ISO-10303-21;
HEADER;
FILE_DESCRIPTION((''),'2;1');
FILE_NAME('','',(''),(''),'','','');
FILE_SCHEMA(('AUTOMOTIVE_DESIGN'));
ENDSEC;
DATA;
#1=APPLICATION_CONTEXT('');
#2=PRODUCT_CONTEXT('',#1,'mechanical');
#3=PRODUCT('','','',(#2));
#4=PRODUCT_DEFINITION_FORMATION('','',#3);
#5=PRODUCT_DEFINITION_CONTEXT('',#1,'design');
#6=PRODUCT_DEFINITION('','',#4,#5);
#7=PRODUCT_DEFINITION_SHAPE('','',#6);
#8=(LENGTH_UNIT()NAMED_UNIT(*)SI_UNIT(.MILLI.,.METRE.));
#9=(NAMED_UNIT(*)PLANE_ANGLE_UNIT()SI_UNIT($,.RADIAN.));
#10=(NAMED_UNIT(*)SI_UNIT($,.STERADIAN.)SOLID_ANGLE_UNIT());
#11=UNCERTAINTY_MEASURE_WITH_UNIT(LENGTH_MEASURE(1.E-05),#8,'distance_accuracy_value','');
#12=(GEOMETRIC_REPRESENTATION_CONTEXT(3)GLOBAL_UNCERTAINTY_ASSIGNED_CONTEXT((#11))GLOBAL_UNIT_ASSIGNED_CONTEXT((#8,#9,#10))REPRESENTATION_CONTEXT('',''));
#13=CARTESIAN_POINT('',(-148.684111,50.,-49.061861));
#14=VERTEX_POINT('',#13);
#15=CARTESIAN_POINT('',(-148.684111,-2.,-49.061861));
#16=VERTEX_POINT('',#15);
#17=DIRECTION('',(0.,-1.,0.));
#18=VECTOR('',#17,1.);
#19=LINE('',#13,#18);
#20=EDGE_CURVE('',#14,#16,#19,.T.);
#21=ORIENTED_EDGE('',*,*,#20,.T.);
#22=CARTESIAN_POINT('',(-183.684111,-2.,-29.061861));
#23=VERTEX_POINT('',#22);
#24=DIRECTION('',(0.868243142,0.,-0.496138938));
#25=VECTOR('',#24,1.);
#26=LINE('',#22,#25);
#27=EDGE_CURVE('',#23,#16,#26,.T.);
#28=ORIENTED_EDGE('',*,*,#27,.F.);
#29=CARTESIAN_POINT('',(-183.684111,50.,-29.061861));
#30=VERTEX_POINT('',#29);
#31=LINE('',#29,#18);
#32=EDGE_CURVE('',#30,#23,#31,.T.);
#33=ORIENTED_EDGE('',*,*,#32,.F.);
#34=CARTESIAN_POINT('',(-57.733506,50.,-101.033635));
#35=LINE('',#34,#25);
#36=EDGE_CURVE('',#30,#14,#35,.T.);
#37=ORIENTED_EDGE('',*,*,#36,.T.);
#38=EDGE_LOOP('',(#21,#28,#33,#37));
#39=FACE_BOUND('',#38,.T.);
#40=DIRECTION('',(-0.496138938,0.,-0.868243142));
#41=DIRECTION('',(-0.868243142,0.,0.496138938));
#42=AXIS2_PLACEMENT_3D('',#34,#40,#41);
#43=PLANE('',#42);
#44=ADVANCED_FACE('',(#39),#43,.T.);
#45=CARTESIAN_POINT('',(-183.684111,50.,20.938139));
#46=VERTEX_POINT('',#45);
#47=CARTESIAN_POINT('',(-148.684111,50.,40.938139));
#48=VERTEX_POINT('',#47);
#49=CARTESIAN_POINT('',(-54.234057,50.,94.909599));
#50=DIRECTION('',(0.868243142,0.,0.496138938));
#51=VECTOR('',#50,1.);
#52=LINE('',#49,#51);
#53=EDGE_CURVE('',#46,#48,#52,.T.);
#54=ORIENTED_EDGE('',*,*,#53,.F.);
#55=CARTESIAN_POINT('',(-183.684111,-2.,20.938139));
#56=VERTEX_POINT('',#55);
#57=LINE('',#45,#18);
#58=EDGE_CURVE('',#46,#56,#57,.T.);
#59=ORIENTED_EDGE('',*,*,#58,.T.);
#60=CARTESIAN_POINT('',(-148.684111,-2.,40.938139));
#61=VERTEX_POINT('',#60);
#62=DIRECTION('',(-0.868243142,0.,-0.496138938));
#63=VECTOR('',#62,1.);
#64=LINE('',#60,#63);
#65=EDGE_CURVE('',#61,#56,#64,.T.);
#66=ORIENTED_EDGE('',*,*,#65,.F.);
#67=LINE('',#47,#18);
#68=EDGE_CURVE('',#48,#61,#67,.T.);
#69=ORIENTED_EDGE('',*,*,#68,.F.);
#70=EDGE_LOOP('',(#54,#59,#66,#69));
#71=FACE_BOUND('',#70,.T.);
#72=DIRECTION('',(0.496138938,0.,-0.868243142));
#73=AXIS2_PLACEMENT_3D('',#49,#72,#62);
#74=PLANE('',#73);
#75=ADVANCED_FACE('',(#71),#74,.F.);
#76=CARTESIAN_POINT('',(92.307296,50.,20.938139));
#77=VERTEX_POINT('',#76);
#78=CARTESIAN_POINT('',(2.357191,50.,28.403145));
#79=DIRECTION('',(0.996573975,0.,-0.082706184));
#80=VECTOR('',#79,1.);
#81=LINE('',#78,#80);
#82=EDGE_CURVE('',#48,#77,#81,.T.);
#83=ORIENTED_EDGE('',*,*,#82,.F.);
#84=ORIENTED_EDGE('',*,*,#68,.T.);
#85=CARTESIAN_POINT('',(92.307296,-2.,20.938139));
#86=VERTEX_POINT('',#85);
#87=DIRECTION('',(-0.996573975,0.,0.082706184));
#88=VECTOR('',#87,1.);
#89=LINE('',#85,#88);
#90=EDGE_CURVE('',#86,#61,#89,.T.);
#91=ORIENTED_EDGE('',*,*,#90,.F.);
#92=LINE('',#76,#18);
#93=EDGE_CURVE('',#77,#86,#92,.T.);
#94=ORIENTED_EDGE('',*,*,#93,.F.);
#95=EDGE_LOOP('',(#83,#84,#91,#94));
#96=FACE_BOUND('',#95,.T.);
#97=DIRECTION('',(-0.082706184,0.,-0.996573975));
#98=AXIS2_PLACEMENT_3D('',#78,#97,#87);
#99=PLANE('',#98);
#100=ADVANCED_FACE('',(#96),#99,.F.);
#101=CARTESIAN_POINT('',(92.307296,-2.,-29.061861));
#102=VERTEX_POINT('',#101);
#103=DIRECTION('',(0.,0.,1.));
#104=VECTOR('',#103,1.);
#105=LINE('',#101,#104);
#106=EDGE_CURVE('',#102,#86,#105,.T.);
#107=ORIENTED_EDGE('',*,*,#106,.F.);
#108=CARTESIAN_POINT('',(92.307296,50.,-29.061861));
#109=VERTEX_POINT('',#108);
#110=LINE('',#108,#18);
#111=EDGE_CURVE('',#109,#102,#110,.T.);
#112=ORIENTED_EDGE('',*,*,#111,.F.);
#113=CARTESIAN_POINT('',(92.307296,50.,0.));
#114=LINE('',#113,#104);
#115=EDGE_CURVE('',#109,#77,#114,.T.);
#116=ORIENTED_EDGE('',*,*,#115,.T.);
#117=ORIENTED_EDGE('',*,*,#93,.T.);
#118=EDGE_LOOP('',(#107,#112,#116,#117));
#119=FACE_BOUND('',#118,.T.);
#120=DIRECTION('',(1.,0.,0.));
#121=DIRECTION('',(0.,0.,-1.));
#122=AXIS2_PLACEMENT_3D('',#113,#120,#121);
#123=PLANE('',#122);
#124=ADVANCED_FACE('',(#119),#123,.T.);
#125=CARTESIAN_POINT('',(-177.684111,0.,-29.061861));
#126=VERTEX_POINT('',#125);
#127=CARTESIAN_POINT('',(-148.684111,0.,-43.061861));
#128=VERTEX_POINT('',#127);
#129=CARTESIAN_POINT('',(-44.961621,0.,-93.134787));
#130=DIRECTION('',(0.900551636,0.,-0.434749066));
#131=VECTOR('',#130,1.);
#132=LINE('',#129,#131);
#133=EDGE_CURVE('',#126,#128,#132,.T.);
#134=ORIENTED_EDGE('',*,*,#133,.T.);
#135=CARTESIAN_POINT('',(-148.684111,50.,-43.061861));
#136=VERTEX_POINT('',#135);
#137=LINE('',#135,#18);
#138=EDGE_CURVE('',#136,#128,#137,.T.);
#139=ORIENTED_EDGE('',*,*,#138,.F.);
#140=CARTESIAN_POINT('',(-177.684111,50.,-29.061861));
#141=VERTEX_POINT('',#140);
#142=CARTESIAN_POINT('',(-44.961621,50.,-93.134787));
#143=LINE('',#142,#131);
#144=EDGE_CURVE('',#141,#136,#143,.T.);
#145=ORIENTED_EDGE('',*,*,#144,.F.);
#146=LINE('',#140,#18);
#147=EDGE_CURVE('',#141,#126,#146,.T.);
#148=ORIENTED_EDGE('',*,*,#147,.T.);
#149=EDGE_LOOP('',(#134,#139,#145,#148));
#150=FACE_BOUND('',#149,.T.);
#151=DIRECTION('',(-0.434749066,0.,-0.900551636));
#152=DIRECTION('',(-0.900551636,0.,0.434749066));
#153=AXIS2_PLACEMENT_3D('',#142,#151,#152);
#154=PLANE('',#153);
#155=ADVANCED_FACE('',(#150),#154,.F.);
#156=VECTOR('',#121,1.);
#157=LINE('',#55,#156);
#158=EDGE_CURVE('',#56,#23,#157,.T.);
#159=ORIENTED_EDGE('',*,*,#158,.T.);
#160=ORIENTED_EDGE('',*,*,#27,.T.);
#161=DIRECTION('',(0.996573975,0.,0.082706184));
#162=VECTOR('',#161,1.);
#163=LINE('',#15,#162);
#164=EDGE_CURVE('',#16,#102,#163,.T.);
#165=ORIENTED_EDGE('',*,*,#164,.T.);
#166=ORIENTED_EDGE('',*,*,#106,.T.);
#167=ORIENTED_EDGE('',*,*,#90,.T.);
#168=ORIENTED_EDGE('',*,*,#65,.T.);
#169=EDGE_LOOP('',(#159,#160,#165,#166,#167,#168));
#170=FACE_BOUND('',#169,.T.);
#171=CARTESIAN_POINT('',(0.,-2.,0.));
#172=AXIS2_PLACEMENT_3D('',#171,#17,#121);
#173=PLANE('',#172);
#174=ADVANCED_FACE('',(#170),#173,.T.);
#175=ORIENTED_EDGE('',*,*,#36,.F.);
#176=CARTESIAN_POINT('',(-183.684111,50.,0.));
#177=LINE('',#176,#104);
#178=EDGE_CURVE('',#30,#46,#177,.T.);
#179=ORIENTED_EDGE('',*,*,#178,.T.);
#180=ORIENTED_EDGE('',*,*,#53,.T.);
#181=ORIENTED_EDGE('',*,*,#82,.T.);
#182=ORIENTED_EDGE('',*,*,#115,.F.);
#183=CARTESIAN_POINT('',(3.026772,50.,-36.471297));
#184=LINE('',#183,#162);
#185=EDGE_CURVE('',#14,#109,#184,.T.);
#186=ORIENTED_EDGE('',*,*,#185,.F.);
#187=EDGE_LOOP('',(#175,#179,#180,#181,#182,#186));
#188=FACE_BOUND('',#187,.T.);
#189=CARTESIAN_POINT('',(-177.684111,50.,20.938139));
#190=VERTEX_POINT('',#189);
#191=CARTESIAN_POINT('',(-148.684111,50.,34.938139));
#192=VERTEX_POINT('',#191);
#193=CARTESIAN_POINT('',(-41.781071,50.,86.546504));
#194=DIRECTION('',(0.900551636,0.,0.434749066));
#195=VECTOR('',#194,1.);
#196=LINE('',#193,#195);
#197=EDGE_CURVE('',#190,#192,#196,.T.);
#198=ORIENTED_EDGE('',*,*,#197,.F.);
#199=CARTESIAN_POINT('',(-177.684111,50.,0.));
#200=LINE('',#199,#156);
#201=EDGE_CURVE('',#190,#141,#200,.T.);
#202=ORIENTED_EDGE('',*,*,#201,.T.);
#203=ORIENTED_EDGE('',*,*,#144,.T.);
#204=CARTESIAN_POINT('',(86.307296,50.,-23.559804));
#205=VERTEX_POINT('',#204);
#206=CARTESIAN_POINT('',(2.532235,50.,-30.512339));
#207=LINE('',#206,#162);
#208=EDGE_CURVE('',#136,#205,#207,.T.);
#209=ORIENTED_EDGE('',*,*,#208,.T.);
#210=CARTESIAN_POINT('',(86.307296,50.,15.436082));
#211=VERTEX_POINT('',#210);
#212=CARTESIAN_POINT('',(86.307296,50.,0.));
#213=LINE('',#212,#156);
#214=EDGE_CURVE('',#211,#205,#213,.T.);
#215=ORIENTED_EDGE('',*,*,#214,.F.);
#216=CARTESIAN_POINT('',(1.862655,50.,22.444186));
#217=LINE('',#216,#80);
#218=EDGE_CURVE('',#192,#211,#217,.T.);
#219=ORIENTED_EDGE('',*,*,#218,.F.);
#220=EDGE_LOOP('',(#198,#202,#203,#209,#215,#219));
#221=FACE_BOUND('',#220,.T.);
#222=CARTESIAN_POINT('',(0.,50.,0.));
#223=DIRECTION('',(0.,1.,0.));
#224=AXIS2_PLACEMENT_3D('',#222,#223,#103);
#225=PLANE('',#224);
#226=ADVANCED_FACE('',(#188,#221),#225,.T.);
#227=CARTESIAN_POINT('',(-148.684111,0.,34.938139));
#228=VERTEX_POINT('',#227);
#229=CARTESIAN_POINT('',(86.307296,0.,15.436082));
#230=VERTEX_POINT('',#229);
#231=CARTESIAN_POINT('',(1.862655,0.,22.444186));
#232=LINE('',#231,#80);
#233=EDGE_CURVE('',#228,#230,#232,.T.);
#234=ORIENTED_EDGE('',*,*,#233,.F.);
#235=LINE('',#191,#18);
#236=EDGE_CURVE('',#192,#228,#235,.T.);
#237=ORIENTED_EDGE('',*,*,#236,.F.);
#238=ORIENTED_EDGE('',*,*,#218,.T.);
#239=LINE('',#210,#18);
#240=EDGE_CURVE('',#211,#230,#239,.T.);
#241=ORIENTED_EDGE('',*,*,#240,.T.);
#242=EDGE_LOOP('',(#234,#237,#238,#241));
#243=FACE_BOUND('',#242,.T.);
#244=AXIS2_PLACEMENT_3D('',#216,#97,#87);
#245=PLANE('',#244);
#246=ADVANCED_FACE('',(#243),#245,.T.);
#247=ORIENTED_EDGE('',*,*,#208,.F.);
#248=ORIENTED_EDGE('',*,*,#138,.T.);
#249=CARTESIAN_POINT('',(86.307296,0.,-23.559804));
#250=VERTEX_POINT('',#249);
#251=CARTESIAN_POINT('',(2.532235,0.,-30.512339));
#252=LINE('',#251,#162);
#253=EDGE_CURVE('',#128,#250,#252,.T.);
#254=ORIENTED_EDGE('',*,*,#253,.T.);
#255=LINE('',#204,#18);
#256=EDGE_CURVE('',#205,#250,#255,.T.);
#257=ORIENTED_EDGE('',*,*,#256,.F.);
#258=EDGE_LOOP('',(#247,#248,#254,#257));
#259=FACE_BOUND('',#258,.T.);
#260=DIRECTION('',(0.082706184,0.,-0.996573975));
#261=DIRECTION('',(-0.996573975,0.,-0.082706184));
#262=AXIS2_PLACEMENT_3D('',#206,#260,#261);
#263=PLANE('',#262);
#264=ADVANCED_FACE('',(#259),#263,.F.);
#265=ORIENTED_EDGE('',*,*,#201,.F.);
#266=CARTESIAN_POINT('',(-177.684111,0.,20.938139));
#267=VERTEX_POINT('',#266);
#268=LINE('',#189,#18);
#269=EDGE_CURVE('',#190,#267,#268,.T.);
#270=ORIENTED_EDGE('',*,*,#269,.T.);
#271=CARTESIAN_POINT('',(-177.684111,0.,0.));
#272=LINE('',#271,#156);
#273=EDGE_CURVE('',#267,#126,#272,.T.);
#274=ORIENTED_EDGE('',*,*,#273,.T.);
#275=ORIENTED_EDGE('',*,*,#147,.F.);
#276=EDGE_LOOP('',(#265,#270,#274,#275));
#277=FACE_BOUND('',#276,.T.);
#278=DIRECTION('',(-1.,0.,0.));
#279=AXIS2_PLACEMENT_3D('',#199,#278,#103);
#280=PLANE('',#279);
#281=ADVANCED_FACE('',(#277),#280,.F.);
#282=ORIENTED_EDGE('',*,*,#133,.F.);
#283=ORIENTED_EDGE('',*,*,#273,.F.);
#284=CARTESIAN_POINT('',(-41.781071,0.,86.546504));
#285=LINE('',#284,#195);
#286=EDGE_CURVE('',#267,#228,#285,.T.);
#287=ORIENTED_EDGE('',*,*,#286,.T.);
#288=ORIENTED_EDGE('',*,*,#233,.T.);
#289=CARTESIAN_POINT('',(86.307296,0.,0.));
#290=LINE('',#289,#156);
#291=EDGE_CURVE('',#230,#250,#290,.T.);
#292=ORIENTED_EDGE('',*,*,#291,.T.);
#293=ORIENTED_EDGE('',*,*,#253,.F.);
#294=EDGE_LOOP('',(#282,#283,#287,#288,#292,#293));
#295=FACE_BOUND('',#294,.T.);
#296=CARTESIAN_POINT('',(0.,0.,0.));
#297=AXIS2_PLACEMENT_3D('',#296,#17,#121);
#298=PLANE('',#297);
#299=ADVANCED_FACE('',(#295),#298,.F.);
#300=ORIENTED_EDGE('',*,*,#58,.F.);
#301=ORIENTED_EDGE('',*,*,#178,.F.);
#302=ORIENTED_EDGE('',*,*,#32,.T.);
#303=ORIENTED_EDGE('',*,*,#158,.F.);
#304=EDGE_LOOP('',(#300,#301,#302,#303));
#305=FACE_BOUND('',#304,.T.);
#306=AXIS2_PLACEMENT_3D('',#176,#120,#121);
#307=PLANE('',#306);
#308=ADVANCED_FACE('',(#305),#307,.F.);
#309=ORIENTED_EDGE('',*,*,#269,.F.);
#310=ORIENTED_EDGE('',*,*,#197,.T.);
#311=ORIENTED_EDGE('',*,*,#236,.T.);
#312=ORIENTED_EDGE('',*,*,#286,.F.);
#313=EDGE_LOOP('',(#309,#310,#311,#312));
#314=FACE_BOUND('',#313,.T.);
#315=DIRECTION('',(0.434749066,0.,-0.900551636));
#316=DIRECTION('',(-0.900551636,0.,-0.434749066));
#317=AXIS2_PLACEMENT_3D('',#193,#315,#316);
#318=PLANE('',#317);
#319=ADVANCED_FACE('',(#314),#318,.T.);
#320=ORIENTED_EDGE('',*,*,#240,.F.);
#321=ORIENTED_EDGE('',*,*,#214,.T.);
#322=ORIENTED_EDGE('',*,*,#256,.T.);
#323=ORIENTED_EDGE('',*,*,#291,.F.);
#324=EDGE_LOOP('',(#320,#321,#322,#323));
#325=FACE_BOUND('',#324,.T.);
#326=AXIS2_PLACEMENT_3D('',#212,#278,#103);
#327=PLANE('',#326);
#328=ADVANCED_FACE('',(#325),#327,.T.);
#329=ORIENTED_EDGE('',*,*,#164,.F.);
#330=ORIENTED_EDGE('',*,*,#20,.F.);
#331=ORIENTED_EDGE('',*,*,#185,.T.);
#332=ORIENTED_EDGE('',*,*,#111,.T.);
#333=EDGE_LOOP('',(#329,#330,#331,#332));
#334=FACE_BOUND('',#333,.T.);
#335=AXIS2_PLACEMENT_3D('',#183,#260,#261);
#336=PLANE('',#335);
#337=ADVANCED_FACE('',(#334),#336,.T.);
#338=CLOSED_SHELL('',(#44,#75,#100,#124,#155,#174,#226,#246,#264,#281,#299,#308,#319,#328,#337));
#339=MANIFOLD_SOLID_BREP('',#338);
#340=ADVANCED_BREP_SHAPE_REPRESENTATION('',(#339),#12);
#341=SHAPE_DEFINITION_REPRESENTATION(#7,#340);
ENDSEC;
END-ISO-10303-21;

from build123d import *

# Parameters (mm, degrees)
BOSS_EXTRUDE5_DEPTH = 50
BOSS_EXTRUDE6_DEPTH = 2


with BuildPart() as part:
    # Sketch1 → Boss-Extrude5 (new body)
    with BuildSketch(Plane(origin=(0, 0, 0), x_dir=(1, 0, 0), z_dir=(0, 1, 0))):
        Polygon((-148.684110885, 49.061860601), (-183.684110885, 29.061860601), (-183.684110885, -20.938139399), (-148.684110885, -40.938139399), (92.307295507, -20.938139399), (92.307295507, -14.938139399), (92.307295507, 23.061860601), (92.307295507, 29.061860601), align=None)
        Polygon((-177.684110885, -20.938139399), (-177.684110885, 29.061860601), (-148.684110885, 43.061860601), (86.307295507, 23.559803668), (86.307295507, 23.061860601), (86.307295507, -14.938139399), (86.307295507, -15.436082465), (-148.684110885, -34.938139399), align=None, mode=Mode.SUBTRACT)
    extrude(amount=BOSS_EXTRUDE5_DEPTH)

    # Sketch3 → Boss-Extrude6 (add)
    with BuildSketch(Plane.XZ):
        Polygon((-183.684110885, 20.938139399), (-183.684110885, -29.061860601), (-148.684110885, -49.061860601), (92.307295507, -29.061860601), (92.307295507, 20.938139399), (-148.684110885, 40.938139399), align=None)
    extrude(amount=BOSS_EXTRUDE6_DEPTH)


solid = part.part
